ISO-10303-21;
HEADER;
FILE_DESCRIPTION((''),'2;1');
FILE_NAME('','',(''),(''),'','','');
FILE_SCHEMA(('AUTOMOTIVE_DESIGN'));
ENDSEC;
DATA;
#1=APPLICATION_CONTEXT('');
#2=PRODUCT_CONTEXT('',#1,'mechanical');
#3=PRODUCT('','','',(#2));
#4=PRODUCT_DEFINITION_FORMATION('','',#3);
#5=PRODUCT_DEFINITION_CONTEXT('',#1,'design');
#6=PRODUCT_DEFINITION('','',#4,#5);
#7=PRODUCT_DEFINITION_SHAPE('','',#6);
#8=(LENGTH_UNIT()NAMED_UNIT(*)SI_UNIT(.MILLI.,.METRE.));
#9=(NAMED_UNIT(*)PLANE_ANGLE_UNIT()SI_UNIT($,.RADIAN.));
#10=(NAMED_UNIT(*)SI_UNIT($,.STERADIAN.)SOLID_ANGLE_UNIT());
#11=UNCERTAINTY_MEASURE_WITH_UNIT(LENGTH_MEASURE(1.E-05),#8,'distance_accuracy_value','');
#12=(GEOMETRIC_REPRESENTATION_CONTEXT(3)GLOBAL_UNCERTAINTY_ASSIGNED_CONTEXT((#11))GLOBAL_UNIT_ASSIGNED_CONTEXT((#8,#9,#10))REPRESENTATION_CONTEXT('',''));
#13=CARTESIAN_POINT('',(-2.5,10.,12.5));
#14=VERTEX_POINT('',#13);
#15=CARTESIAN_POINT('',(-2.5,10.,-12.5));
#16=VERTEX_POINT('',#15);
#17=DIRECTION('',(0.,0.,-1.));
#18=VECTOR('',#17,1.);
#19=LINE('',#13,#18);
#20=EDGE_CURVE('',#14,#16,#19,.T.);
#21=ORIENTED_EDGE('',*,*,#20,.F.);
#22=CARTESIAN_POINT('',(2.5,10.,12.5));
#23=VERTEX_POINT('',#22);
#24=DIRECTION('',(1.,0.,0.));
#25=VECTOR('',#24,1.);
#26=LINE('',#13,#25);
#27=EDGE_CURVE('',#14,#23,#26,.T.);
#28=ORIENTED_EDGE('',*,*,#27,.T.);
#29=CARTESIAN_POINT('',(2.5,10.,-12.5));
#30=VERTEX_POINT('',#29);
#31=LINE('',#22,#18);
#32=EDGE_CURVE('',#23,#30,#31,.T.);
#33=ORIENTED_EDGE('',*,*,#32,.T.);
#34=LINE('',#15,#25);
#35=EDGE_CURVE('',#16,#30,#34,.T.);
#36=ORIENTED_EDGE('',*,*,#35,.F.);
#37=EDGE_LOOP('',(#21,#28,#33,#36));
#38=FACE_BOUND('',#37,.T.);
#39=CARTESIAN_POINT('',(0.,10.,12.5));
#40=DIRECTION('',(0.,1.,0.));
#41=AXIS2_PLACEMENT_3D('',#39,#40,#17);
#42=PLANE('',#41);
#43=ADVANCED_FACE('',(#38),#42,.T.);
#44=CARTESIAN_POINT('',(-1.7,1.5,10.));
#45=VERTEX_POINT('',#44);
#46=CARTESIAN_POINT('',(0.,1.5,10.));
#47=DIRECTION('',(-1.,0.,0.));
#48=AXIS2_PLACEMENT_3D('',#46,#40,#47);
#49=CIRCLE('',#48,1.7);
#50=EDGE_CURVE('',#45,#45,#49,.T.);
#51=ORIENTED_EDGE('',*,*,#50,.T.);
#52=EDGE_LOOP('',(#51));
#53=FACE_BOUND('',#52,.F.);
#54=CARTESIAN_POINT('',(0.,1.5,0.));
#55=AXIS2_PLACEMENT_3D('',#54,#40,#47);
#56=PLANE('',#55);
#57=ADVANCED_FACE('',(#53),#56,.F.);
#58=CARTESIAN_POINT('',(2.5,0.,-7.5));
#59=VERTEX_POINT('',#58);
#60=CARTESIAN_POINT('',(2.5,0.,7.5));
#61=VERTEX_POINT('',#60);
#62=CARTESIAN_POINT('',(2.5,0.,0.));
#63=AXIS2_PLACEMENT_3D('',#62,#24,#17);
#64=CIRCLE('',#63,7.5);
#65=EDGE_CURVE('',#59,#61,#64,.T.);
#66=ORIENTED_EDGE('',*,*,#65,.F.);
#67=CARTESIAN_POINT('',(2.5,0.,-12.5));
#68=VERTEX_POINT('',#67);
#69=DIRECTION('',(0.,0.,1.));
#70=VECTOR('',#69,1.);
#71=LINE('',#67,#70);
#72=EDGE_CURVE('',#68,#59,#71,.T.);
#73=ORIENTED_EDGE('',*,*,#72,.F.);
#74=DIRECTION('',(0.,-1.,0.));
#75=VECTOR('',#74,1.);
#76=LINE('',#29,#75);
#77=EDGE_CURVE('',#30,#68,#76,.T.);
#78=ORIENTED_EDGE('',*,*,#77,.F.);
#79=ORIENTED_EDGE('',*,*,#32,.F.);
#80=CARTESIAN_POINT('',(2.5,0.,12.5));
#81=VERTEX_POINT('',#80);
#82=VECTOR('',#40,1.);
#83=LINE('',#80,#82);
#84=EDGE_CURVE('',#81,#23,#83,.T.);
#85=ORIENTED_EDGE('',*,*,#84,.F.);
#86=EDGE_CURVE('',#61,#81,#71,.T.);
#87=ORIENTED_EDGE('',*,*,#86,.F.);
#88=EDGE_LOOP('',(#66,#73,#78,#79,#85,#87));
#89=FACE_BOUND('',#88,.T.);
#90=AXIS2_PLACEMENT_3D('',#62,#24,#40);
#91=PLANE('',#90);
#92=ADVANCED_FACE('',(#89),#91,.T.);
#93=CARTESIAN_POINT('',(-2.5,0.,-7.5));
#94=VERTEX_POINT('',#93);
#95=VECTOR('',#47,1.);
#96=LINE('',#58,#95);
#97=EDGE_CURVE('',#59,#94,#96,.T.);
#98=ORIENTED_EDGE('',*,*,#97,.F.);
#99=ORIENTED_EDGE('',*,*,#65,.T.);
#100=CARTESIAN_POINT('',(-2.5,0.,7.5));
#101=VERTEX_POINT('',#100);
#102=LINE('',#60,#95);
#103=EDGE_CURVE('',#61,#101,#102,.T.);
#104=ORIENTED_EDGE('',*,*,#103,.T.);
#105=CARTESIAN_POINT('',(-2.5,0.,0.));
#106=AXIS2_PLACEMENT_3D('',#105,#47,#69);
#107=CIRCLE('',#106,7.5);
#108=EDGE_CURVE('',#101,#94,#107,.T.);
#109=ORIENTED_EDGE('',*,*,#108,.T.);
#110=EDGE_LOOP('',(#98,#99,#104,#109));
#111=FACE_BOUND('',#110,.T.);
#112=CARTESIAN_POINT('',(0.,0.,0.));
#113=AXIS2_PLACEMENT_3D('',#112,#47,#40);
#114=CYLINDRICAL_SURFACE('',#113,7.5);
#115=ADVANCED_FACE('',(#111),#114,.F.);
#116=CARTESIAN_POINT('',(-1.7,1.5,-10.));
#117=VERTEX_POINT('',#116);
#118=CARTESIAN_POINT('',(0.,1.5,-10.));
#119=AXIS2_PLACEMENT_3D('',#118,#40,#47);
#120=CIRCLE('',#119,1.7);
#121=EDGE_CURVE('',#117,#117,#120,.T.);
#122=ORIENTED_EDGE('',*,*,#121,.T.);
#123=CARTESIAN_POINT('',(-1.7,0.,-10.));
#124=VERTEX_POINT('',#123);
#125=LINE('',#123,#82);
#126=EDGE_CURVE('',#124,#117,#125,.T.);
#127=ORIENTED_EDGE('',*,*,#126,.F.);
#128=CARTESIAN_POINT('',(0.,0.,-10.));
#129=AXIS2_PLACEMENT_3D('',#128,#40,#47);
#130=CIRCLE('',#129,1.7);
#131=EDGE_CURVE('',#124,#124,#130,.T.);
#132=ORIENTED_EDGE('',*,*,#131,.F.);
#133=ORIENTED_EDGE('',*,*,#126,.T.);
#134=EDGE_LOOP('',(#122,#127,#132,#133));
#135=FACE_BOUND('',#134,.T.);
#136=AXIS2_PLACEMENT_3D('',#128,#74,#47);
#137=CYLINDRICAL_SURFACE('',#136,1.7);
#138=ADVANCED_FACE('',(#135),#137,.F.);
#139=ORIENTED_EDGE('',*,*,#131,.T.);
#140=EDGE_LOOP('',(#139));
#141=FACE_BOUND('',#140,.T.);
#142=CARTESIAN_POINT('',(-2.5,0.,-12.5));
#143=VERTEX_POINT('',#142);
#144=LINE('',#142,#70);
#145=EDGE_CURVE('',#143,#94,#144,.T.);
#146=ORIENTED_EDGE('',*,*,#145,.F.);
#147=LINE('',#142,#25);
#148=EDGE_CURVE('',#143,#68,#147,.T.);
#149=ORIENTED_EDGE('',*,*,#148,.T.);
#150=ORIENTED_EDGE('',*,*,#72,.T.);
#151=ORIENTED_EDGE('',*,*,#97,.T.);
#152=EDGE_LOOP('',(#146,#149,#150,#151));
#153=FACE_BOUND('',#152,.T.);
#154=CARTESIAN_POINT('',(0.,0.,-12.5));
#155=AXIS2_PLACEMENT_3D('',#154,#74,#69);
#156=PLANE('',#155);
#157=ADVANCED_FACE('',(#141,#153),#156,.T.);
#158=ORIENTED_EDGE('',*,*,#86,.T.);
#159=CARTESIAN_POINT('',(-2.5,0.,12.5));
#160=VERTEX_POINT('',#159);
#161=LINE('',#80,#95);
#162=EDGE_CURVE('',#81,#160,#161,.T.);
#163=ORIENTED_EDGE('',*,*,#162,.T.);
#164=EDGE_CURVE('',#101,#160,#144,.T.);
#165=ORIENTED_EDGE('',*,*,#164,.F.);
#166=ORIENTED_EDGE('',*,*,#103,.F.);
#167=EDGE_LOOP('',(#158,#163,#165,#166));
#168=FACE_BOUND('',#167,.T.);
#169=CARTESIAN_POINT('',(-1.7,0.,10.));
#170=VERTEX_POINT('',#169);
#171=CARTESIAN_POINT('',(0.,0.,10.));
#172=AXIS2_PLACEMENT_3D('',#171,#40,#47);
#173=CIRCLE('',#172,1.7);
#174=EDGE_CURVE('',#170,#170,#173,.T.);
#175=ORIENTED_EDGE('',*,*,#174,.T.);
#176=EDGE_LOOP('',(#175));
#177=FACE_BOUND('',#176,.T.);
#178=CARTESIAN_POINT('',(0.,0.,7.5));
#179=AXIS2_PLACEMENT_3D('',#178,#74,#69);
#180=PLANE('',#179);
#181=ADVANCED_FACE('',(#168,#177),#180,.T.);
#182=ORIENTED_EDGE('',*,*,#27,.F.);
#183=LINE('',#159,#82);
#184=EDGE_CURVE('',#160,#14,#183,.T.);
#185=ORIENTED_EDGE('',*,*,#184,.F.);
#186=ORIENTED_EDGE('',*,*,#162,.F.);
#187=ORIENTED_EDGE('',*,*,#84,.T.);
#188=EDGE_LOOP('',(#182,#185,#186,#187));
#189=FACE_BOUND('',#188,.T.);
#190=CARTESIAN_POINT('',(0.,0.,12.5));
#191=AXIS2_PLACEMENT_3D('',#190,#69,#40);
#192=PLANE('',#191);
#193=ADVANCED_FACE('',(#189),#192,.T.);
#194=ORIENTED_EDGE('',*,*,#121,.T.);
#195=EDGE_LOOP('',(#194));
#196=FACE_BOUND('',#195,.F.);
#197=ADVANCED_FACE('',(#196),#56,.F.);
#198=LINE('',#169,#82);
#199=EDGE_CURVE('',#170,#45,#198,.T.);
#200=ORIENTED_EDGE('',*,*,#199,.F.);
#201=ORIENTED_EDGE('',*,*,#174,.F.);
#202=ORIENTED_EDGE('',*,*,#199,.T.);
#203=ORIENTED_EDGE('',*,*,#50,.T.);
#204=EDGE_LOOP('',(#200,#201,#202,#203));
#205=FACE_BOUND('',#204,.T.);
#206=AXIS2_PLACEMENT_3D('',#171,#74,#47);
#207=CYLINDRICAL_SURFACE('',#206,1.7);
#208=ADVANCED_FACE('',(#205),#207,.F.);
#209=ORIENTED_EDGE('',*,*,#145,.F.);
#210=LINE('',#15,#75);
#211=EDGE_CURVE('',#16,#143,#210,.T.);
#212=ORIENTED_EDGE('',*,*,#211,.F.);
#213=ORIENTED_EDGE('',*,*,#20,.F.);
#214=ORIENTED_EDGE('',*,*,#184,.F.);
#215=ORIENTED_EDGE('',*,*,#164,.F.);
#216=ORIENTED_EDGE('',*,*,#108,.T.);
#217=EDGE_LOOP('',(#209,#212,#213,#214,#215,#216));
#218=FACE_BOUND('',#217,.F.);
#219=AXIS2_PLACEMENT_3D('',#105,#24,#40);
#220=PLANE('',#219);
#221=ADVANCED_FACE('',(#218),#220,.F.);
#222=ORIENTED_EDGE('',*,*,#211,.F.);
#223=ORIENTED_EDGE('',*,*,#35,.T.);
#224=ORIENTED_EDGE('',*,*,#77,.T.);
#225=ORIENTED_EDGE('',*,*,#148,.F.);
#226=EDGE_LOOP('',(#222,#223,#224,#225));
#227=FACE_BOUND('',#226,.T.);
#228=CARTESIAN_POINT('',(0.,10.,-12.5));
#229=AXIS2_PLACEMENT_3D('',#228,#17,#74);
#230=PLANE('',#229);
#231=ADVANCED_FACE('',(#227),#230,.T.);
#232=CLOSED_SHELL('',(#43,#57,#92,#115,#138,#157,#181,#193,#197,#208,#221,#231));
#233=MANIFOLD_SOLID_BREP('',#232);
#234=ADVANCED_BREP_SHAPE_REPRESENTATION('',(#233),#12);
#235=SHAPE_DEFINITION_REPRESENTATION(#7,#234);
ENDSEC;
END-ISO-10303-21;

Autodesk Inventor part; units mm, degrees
ref_plane "YZ Plane" through (0, 0, 0) normal (1, 0, 0) x (0, 1, 0)
ref_plane "XZ Plane" through (0, 0, 0) normal (0, 1, 0) x (-1, 0, 0)
ref_plane "XY Plane" through (0, 0, 0) normal (0, 0, 1) x (1, 0, 0)
sketch "草圖1" plane through (0, 0, 0) normal (0, 1, 0) x (-1, 0, 0)
  line L0 (2.5, 12.5) -> (-2.5, 12.5)
  line L1 (-2.5, 12.5) -> (-2.5, -12.5)
  line L2 (-2.5, -12.5) -> (2.5, -12.5)
  line L3 (2.5, -12.5) -> (2.5, 12.5)
  circle A0 centre (0, 10) radius 1.7
  circle A1 centre (0, 5) radius 1.7
  circle A2 centre (0, 0) radius 1.7
  circle A3 centre (0, -5) radius 1.7
  circle A4 centre (0, -10) radius 1.7
  point P0 (0, 0)
  point P1 (2.5, 0)
  point P2 (0, 12.5)
  dimension "d0" = 5
  dimension "d1" = 25
  dimension "d2" = 3.4
  dimension "d3" = 2.5
  dimension "d4" = 2.5
  dimension "d7" = 5
sketch "草圖2" plane through (0, 0, 0) normal (1, 0, 0) x (0, 1, 0)
  line L0 (0, -12.5) -> (0, 12.5) projected
  circle A0 centre (0, 0) radius 7.5
  line L1 (0, 12.5) -> (10, 12.5)
  line L2 (10, 12.5) -> (10, -12.5)
  line L3 (10, -12.5) -> (0, -12.5)
  point P0 (0, 10)
  point P1 (0, 5)
  point P2 (0, -5)
  point P3 (0, -10)
  point P4 (0, 7.5)
  point P5 (0, -7.5)
  dimension "d12" = 15
  dimension "d13" = 10
extrude "擠出1" add sketch "草圖2" along normal mid plane 5 contours L0 A0 L1 L2 L3
extrude "擠出2" cut sketch "草圖1" along normal blind 1.5 contours A0 | A4
properties part number "110033226_ipt_09_窗戶圓拱"
